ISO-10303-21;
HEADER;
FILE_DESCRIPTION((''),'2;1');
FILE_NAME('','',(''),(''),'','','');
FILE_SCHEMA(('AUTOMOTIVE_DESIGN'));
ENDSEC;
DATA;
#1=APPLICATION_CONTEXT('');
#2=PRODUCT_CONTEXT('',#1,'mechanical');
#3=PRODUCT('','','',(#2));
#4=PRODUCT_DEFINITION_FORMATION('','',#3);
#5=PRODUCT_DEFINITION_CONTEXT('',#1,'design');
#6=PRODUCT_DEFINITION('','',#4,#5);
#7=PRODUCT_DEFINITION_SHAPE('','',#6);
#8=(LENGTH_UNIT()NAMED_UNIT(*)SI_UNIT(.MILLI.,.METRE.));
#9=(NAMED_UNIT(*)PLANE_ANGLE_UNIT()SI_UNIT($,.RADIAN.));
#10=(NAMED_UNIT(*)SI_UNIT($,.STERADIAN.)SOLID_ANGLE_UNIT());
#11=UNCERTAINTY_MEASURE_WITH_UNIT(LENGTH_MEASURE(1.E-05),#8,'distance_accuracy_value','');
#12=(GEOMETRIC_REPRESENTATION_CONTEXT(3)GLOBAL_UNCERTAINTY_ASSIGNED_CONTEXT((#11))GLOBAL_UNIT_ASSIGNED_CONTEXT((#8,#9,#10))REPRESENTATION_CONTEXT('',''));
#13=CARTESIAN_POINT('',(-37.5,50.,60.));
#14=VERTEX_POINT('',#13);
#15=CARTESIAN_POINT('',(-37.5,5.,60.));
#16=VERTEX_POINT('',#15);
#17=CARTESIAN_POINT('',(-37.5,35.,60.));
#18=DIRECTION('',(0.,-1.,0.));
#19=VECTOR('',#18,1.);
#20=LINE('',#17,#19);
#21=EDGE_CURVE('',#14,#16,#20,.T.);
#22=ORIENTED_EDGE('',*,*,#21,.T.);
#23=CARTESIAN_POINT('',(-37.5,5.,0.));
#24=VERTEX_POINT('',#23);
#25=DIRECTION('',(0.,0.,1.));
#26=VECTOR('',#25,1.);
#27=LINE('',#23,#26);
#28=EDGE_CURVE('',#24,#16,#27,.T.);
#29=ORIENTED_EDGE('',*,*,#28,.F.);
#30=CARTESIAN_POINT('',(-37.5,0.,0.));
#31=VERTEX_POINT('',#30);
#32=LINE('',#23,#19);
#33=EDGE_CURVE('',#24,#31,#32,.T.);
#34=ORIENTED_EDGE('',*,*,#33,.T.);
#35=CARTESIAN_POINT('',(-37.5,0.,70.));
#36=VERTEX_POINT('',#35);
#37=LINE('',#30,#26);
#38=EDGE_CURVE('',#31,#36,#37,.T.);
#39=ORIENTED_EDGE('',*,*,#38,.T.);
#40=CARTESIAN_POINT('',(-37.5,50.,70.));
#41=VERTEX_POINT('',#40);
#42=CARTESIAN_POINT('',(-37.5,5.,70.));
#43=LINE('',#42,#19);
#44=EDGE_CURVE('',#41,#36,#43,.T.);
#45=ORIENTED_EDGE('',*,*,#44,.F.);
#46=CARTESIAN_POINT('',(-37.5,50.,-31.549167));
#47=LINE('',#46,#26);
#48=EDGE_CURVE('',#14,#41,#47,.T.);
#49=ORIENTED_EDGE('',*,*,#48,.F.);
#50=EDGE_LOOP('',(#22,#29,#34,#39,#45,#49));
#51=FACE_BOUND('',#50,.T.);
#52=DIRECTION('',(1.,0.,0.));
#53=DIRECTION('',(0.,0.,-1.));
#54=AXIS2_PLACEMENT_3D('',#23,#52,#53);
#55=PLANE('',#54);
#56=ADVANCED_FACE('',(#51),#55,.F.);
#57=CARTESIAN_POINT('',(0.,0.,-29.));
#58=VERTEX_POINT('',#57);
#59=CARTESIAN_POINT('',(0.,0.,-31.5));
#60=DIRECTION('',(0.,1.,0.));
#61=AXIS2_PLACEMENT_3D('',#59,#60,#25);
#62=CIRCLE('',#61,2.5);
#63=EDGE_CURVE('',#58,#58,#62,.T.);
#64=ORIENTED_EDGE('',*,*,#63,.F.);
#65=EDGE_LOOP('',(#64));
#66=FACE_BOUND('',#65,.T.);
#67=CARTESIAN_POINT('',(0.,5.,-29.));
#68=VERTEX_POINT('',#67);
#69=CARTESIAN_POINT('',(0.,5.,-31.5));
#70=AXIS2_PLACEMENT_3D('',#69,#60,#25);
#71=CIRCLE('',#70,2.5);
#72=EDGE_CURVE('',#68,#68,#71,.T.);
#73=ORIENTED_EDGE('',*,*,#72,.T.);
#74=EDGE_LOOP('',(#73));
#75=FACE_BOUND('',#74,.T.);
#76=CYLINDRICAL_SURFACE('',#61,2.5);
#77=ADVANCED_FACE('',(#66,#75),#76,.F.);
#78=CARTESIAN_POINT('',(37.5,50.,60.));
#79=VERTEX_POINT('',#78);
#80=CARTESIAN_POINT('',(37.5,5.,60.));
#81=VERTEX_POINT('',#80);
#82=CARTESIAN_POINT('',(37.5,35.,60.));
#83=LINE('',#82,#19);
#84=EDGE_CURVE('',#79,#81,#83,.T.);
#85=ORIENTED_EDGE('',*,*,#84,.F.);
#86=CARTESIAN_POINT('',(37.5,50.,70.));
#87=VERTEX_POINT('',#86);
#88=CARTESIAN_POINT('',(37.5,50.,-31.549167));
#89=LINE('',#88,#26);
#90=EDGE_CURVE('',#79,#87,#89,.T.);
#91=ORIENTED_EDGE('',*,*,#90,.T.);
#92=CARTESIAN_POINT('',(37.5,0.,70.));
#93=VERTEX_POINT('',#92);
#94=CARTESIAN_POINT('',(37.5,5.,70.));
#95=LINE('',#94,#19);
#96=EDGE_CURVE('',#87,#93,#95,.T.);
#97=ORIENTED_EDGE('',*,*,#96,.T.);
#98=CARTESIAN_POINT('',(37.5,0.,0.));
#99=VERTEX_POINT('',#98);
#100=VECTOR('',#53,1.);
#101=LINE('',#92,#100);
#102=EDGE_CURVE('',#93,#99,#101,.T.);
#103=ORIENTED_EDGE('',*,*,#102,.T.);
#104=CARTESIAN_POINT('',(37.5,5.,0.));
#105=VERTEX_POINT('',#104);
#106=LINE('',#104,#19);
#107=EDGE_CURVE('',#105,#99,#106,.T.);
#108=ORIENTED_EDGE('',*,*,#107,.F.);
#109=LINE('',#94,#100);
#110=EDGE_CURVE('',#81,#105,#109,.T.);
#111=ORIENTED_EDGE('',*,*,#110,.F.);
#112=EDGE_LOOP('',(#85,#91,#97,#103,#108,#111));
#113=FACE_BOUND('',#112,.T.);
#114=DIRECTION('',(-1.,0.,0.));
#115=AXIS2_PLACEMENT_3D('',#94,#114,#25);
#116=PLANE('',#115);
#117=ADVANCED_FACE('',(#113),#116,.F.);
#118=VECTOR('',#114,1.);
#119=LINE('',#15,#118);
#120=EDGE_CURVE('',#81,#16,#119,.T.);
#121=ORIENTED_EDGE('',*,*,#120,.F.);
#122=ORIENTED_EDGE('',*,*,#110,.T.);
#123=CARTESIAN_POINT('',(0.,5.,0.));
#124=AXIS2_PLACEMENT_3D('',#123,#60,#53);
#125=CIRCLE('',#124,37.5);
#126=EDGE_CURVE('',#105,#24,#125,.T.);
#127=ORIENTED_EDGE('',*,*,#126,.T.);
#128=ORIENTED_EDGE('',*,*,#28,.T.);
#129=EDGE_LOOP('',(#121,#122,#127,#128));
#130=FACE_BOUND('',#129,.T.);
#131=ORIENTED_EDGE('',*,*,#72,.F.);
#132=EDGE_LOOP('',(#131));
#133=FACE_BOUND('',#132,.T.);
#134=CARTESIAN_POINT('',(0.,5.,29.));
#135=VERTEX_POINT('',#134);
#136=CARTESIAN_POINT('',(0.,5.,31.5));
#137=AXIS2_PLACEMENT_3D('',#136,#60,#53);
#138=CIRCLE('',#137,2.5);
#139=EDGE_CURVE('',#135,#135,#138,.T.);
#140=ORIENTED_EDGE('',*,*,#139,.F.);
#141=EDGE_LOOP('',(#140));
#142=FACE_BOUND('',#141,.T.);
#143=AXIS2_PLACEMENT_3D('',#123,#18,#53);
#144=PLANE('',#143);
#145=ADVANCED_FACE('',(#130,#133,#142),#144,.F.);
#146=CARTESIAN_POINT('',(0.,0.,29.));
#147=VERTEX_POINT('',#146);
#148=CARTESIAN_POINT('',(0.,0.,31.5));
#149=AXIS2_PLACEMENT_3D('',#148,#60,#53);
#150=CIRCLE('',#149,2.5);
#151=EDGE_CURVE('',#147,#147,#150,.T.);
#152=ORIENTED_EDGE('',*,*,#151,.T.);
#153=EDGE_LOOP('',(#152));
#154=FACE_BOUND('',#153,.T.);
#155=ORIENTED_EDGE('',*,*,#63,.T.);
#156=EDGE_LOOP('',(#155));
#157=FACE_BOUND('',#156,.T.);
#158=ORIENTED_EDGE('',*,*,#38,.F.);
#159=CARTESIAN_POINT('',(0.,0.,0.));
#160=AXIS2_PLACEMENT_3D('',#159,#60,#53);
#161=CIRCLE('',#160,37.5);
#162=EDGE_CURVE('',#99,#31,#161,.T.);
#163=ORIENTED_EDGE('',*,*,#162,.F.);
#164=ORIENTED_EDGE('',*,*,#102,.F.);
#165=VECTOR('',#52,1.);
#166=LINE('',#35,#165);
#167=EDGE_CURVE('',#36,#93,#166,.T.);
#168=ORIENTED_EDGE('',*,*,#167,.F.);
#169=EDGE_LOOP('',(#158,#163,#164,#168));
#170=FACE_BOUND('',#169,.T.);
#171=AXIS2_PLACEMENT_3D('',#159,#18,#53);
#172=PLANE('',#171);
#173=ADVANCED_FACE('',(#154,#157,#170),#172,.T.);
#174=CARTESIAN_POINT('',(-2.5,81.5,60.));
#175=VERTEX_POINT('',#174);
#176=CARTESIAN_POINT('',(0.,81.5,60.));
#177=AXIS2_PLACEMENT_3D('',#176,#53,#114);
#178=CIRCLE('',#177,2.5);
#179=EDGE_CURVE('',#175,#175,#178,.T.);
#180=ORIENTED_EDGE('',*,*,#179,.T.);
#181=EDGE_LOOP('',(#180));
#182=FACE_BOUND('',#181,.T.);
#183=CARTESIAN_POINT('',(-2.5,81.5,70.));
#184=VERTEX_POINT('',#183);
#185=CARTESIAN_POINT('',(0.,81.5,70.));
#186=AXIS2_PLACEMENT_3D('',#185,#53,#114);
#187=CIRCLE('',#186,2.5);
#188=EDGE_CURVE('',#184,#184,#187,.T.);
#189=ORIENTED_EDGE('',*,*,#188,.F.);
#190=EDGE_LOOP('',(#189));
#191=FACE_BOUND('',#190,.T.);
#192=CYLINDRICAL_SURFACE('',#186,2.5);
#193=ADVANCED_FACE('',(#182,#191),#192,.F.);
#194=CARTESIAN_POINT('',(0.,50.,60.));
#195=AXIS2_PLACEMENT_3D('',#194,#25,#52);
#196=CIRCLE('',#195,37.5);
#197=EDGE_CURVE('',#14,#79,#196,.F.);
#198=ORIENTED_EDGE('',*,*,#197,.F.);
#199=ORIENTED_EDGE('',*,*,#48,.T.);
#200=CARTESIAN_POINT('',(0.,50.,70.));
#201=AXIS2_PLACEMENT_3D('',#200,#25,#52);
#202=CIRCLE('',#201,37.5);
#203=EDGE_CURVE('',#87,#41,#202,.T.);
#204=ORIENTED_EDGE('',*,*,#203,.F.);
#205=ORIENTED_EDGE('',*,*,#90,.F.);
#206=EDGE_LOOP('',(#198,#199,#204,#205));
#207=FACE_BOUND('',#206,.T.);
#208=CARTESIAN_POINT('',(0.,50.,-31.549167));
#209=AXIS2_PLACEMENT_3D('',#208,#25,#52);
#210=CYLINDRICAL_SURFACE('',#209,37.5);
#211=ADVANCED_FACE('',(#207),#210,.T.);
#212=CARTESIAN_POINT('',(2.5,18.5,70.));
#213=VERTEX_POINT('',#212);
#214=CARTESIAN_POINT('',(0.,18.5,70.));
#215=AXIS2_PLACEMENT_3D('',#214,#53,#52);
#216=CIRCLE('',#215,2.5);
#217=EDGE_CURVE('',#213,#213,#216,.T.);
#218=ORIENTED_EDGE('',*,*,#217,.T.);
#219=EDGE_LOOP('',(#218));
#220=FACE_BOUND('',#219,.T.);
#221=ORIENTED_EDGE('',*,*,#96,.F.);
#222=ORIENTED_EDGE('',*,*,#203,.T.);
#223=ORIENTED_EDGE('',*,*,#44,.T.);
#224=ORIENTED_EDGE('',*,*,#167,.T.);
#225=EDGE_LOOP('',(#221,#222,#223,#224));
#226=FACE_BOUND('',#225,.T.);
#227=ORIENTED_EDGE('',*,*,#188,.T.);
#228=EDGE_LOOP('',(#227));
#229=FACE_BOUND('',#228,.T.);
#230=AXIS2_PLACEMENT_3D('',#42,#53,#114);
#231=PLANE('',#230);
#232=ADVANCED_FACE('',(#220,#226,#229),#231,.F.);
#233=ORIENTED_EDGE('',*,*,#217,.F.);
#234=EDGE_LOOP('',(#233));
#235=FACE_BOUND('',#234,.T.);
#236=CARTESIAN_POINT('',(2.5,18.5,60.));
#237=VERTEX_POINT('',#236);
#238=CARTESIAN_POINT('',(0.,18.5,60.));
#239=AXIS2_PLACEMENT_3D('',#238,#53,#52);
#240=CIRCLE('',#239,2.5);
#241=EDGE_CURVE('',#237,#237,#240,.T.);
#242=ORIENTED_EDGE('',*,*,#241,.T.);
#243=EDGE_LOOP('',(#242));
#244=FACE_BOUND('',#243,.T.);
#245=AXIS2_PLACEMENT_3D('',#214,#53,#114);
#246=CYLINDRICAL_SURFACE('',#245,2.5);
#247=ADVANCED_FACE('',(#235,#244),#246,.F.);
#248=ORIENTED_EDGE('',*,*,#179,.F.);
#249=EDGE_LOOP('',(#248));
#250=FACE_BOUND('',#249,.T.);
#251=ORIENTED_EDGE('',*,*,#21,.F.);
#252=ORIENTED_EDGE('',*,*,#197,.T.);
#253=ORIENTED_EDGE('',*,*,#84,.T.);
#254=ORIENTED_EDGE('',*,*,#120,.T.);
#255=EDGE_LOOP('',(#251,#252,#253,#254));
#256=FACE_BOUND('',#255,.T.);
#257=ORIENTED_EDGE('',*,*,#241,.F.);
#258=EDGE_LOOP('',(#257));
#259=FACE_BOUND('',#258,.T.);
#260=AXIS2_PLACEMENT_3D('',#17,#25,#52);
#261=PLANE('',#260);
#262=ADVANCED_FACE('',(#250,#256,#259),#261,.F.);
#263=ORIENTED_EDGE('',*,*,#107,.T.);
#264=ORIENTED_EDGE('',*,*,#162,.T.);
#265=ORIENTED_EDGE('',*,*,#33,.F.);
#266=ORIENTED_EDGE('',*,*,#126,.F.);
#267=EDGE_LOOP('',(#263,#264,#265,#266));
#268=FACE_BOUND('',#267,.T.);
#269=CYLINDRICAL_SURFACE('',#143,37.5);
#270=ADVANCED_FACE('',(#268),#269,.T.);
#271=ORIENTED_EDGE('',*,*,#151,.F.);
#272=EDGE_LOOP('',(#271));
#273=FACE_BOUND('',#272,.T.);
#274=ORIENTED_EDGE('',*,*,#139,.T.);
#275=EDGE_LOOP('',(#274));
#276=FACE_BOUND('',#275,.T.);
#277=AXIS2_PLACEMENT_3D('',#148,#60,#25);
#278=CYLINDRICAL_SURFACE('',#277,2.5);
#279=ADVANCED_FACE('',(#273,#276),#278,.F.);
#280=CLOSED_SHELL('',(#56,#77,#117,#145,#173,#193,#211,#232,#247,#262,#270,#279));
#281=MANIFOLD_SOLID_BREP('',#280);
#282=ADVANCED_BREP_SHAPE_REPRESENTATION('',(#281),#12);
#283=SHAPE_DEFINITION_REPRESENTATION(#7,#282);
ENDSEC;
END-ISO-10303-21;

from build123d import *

# Parameters (mm, degrees)
EXTRUDE_1_DEPTH     = 5
SKETCH_18_W         = 75
SKETCH_18_H         = 10
EXTRUDE_2_DEPTH     = 30
SKETCH_19_R         = 2.5
CUT_EXTRUDE_3_DEPTH = 85.889634232
EXTRUDE_3_DEPTH     = 10
SKETCH_21_R         = 2.5
CUT_EXTRUDE_4_DEPTH = 137.267200749


with BuildPart() as part:
    # ｽｹｯﾁ1 → ﾎﾞｽ - 押し出し1 (new body)
    with BuildSketch(Plane(origin=(0, 0, 0), x_dir=(1, 0, 0), z_dir=(0, 1, 0))):
        with BuildLine():
            Line((-37.5, 0), (-37.5, -70))
            Line((-37.5, -70), (37.5, -70))
            Line((37.5, -70), (37.5, 0))
            ThreePointArc((37.5, 0), (0, 37.5), (-37.5, 0))
        make_face()
    extrude(amount=EXTRUDE_1_DEPTH)

    # ｽｹｯﾁ18 → ﾎﾞｽ - 押し出し2 (add)
    with BuildSketch(Plane(origin=(0, 5, 0), x_dir=(1, 0, 0), z_dir=(0, 1, 0))):
        with Locations((0, -65)):
            Rectangle(SKETCH_18_W, SKETCH_18_H)
    extrude(amount=EXTRUDE_2_DEPTH)

    # ｽｹｯﾁ19 → ｶｯﾄ - 押し出し3 (cut, through all)
    with BuildSketch(Plane(origin=(0, 5, 0), x_dir=(1, 0, 0), z_dir=(0, 1, 0))):
        with Locations(Location((0, 31.5, 0), (0, 0, 270))):
            Circle(SKETCH_19_R)
        with Locations(Location((0, -31.5, 0), (0, 0, 90))):
            Circle(SKETCH_19_R)
    extrude(amount=-CUT_EXTRUDE_3_DEPTH, mode=Mode.SUBTRACT)

    # ｽｹｯﾁ20 → ﾎﾞｽ - 押し出し3 (add)
    with BuildSketch(Plane.XY.offset(70)):
        with BuildLine():
            Line((-37.5, 50), (-37.5, 35))
            Line((-37.5, 35), (37.5, 35))
            Line((37.5, 35), (37.5, 50))
            ThreePointArc((37.5, 50), (0, 87.5), (-37.5, 50))
        make_face()
    extrude(amount=-EXTRUDE_3_DEPTH)

    # ｽｹｯﾁ21 → ｶｯﾄ - 押し出し4 (cut, through all)
    with BuildSketch(Plane(origin=(0, 0, 60), x_dir=(-1, 0, 0), z_dir=(0, 0, -1))):
        with Locations((0, 81.5)):
            Circle(SKETCH_21_R)
        with Locations(Location((0, 18.5, 0), (0, 0, 180))):
            Circle(SKETCH_21_R)
    extrude(amount=-CUT_EXTRUDE_4_DEPTH, mode=Mode.SUBTRACT)


solid = part.part
